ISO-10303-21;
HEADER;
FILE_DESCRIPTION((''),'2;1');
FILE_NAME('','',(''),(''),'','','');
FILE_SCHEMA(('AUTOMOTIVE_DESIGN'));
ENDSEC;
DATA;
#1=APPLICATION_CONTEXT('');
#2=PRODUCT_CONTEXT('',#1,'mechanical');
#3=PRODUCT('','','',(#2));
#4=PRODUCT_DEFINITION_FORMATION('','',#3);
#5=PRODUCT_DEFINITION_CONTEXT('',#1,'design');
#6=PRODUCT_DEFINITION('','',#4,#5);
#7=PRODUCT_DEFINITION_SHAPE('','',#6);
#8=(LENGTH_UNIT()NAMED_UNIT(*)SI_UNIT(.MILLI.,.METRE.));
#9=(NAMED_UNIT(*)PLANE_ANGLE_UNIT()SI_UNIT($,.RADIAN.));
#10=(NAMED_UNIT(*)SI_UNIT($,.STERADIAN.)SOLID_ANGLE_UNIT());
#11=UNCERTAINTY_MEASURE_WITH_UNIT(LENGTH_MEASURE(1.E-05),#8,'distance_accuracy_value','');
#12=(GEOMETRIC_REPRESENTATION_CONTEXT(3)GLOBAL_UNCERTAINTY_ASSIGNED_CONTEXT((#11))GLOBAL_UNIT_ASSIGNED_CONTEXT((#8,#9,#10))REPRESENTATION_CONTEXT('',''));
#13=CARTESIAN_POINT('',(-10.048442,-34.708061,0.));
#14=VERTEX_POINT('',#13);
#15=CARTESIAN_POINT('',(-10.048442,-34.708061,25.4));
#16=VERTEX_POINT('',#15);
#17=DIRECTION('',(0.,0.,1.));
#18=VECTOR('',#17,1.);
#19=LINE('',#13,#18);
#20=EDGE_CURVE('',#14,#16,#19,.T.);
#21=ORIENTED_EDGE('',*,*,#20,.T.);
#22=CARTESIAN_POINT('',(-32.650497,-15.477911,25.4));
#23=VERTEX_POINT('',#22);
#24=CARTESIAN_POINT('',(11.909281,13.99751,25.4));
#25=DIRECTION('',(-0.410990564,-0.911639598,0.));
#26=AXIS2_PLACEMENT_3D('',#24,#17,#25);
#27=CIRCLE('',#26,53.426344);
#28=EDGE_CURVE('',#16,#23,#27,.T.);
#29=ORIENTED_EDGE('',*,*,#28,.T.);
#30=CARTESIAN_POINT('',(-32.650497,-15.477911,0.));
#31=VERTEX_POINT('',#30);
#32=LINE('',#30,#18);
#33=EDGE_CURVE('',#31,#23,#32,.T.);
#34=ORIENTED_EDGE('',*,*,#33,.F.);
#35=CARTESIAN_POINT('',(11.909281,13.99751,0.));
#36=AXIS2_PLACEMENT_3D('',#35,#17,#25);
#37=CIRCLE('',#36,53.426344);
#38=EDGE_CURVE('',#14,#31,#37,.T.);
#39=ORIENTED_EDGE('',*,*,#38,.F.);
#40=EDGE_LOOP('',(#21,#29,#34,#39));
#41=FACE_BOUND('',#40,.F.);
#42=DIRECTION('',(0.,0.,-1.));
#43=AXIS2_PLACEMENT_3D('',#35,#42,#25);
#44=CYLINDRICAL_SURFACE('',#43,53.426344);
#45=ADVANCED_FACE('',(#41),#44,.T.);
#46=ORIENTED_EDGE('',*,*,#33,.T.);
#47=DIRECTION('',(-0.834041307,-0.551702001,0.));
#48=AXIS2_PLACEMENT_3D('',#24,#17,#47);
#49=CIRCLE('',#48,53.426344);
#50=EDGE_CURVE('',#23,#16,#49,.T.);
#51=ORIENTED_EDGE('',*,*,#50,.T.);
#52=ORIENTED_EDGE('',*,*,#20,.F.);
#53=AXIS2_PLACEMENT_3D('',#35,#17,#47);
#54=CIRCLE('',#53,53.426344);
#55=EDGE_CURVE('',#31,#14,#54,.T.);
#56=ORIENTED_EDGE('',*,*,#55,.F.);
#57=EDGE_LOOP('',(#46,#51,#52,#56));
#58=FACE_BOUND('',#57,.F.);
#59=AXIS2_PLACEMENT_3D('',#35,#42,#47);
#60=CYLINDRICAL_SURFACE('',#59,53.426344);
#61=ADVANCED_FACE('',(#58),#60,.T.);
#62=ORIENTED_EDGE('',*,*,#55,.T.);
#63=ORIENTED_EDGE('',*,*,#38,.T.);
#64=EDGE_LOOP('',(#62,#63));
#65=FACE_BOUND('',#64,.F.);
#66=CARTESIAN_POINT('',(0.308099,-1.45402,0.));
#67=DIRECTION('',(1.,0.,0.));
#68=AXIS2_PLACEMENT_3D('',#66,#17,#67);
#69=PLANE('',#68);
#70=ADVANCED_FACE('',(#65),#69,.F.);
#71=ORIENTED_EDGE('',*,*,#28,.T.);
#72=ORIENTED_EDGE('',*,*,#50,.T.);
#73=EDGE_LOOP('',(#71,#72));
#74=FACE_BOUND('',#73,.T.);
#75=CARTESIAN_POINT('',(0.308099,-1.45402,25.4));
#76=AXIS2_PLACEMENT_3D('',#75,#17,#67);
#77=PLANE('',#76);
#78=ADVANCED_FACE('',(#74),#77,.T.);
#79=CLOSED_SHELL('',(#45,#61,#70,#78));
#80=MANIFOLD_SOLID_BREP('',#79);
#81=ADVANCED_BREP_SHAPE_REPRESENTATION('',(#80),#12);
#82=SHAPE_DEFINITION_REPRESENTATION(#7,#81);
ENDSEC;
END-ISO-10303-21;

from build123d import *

# Parameters (mm, degrees)
F1_DEPTH = 25.4


with BuildPart() as f1:
    # F0 (on Top) → F1 (new body)
    with BuildSketch(Plane.XY):
        with BuildLine():
            ThreePointArc((-10.0484423342, -34.7080605929), (21.7087142166, -28.885158655), (36.1333732644, 0))
            ThreePointArc((36.1333732644, 0), (-7.9324673187, 35.2519024409), (-32.6504967944, -15.4779107939))
            ThreePointArc((-32.6504967944, -15.4779107939), (-22.7114375755, -26.6937675638), (-10.0484423342, -34.7080605929))
        make_face()
        with BuildLine():
            ThreePointArc((-32.6504967944, -15.4779107939), (-7.9324673187, 35.2519024409), (36.1333732644, 0))
            ThreePointArc((36.1333732644, 0), (21.7087142166, -28.885158655), (-10.0484423342, -34.7080605929))
            ThreePointArc((-10.0484423342, -34.7080605929), (40.9028435571, -30.8772885155), (65.3356248168, 13.9975100756))
            ThreePointArc((65.3356248168, 13.9975100756), (-3.4807843324, 65.159215637), (-32.6504967944, -15.4779107939))
        make_face()
    extrude(amount=F1_DEPTH)


solid = f1.part
